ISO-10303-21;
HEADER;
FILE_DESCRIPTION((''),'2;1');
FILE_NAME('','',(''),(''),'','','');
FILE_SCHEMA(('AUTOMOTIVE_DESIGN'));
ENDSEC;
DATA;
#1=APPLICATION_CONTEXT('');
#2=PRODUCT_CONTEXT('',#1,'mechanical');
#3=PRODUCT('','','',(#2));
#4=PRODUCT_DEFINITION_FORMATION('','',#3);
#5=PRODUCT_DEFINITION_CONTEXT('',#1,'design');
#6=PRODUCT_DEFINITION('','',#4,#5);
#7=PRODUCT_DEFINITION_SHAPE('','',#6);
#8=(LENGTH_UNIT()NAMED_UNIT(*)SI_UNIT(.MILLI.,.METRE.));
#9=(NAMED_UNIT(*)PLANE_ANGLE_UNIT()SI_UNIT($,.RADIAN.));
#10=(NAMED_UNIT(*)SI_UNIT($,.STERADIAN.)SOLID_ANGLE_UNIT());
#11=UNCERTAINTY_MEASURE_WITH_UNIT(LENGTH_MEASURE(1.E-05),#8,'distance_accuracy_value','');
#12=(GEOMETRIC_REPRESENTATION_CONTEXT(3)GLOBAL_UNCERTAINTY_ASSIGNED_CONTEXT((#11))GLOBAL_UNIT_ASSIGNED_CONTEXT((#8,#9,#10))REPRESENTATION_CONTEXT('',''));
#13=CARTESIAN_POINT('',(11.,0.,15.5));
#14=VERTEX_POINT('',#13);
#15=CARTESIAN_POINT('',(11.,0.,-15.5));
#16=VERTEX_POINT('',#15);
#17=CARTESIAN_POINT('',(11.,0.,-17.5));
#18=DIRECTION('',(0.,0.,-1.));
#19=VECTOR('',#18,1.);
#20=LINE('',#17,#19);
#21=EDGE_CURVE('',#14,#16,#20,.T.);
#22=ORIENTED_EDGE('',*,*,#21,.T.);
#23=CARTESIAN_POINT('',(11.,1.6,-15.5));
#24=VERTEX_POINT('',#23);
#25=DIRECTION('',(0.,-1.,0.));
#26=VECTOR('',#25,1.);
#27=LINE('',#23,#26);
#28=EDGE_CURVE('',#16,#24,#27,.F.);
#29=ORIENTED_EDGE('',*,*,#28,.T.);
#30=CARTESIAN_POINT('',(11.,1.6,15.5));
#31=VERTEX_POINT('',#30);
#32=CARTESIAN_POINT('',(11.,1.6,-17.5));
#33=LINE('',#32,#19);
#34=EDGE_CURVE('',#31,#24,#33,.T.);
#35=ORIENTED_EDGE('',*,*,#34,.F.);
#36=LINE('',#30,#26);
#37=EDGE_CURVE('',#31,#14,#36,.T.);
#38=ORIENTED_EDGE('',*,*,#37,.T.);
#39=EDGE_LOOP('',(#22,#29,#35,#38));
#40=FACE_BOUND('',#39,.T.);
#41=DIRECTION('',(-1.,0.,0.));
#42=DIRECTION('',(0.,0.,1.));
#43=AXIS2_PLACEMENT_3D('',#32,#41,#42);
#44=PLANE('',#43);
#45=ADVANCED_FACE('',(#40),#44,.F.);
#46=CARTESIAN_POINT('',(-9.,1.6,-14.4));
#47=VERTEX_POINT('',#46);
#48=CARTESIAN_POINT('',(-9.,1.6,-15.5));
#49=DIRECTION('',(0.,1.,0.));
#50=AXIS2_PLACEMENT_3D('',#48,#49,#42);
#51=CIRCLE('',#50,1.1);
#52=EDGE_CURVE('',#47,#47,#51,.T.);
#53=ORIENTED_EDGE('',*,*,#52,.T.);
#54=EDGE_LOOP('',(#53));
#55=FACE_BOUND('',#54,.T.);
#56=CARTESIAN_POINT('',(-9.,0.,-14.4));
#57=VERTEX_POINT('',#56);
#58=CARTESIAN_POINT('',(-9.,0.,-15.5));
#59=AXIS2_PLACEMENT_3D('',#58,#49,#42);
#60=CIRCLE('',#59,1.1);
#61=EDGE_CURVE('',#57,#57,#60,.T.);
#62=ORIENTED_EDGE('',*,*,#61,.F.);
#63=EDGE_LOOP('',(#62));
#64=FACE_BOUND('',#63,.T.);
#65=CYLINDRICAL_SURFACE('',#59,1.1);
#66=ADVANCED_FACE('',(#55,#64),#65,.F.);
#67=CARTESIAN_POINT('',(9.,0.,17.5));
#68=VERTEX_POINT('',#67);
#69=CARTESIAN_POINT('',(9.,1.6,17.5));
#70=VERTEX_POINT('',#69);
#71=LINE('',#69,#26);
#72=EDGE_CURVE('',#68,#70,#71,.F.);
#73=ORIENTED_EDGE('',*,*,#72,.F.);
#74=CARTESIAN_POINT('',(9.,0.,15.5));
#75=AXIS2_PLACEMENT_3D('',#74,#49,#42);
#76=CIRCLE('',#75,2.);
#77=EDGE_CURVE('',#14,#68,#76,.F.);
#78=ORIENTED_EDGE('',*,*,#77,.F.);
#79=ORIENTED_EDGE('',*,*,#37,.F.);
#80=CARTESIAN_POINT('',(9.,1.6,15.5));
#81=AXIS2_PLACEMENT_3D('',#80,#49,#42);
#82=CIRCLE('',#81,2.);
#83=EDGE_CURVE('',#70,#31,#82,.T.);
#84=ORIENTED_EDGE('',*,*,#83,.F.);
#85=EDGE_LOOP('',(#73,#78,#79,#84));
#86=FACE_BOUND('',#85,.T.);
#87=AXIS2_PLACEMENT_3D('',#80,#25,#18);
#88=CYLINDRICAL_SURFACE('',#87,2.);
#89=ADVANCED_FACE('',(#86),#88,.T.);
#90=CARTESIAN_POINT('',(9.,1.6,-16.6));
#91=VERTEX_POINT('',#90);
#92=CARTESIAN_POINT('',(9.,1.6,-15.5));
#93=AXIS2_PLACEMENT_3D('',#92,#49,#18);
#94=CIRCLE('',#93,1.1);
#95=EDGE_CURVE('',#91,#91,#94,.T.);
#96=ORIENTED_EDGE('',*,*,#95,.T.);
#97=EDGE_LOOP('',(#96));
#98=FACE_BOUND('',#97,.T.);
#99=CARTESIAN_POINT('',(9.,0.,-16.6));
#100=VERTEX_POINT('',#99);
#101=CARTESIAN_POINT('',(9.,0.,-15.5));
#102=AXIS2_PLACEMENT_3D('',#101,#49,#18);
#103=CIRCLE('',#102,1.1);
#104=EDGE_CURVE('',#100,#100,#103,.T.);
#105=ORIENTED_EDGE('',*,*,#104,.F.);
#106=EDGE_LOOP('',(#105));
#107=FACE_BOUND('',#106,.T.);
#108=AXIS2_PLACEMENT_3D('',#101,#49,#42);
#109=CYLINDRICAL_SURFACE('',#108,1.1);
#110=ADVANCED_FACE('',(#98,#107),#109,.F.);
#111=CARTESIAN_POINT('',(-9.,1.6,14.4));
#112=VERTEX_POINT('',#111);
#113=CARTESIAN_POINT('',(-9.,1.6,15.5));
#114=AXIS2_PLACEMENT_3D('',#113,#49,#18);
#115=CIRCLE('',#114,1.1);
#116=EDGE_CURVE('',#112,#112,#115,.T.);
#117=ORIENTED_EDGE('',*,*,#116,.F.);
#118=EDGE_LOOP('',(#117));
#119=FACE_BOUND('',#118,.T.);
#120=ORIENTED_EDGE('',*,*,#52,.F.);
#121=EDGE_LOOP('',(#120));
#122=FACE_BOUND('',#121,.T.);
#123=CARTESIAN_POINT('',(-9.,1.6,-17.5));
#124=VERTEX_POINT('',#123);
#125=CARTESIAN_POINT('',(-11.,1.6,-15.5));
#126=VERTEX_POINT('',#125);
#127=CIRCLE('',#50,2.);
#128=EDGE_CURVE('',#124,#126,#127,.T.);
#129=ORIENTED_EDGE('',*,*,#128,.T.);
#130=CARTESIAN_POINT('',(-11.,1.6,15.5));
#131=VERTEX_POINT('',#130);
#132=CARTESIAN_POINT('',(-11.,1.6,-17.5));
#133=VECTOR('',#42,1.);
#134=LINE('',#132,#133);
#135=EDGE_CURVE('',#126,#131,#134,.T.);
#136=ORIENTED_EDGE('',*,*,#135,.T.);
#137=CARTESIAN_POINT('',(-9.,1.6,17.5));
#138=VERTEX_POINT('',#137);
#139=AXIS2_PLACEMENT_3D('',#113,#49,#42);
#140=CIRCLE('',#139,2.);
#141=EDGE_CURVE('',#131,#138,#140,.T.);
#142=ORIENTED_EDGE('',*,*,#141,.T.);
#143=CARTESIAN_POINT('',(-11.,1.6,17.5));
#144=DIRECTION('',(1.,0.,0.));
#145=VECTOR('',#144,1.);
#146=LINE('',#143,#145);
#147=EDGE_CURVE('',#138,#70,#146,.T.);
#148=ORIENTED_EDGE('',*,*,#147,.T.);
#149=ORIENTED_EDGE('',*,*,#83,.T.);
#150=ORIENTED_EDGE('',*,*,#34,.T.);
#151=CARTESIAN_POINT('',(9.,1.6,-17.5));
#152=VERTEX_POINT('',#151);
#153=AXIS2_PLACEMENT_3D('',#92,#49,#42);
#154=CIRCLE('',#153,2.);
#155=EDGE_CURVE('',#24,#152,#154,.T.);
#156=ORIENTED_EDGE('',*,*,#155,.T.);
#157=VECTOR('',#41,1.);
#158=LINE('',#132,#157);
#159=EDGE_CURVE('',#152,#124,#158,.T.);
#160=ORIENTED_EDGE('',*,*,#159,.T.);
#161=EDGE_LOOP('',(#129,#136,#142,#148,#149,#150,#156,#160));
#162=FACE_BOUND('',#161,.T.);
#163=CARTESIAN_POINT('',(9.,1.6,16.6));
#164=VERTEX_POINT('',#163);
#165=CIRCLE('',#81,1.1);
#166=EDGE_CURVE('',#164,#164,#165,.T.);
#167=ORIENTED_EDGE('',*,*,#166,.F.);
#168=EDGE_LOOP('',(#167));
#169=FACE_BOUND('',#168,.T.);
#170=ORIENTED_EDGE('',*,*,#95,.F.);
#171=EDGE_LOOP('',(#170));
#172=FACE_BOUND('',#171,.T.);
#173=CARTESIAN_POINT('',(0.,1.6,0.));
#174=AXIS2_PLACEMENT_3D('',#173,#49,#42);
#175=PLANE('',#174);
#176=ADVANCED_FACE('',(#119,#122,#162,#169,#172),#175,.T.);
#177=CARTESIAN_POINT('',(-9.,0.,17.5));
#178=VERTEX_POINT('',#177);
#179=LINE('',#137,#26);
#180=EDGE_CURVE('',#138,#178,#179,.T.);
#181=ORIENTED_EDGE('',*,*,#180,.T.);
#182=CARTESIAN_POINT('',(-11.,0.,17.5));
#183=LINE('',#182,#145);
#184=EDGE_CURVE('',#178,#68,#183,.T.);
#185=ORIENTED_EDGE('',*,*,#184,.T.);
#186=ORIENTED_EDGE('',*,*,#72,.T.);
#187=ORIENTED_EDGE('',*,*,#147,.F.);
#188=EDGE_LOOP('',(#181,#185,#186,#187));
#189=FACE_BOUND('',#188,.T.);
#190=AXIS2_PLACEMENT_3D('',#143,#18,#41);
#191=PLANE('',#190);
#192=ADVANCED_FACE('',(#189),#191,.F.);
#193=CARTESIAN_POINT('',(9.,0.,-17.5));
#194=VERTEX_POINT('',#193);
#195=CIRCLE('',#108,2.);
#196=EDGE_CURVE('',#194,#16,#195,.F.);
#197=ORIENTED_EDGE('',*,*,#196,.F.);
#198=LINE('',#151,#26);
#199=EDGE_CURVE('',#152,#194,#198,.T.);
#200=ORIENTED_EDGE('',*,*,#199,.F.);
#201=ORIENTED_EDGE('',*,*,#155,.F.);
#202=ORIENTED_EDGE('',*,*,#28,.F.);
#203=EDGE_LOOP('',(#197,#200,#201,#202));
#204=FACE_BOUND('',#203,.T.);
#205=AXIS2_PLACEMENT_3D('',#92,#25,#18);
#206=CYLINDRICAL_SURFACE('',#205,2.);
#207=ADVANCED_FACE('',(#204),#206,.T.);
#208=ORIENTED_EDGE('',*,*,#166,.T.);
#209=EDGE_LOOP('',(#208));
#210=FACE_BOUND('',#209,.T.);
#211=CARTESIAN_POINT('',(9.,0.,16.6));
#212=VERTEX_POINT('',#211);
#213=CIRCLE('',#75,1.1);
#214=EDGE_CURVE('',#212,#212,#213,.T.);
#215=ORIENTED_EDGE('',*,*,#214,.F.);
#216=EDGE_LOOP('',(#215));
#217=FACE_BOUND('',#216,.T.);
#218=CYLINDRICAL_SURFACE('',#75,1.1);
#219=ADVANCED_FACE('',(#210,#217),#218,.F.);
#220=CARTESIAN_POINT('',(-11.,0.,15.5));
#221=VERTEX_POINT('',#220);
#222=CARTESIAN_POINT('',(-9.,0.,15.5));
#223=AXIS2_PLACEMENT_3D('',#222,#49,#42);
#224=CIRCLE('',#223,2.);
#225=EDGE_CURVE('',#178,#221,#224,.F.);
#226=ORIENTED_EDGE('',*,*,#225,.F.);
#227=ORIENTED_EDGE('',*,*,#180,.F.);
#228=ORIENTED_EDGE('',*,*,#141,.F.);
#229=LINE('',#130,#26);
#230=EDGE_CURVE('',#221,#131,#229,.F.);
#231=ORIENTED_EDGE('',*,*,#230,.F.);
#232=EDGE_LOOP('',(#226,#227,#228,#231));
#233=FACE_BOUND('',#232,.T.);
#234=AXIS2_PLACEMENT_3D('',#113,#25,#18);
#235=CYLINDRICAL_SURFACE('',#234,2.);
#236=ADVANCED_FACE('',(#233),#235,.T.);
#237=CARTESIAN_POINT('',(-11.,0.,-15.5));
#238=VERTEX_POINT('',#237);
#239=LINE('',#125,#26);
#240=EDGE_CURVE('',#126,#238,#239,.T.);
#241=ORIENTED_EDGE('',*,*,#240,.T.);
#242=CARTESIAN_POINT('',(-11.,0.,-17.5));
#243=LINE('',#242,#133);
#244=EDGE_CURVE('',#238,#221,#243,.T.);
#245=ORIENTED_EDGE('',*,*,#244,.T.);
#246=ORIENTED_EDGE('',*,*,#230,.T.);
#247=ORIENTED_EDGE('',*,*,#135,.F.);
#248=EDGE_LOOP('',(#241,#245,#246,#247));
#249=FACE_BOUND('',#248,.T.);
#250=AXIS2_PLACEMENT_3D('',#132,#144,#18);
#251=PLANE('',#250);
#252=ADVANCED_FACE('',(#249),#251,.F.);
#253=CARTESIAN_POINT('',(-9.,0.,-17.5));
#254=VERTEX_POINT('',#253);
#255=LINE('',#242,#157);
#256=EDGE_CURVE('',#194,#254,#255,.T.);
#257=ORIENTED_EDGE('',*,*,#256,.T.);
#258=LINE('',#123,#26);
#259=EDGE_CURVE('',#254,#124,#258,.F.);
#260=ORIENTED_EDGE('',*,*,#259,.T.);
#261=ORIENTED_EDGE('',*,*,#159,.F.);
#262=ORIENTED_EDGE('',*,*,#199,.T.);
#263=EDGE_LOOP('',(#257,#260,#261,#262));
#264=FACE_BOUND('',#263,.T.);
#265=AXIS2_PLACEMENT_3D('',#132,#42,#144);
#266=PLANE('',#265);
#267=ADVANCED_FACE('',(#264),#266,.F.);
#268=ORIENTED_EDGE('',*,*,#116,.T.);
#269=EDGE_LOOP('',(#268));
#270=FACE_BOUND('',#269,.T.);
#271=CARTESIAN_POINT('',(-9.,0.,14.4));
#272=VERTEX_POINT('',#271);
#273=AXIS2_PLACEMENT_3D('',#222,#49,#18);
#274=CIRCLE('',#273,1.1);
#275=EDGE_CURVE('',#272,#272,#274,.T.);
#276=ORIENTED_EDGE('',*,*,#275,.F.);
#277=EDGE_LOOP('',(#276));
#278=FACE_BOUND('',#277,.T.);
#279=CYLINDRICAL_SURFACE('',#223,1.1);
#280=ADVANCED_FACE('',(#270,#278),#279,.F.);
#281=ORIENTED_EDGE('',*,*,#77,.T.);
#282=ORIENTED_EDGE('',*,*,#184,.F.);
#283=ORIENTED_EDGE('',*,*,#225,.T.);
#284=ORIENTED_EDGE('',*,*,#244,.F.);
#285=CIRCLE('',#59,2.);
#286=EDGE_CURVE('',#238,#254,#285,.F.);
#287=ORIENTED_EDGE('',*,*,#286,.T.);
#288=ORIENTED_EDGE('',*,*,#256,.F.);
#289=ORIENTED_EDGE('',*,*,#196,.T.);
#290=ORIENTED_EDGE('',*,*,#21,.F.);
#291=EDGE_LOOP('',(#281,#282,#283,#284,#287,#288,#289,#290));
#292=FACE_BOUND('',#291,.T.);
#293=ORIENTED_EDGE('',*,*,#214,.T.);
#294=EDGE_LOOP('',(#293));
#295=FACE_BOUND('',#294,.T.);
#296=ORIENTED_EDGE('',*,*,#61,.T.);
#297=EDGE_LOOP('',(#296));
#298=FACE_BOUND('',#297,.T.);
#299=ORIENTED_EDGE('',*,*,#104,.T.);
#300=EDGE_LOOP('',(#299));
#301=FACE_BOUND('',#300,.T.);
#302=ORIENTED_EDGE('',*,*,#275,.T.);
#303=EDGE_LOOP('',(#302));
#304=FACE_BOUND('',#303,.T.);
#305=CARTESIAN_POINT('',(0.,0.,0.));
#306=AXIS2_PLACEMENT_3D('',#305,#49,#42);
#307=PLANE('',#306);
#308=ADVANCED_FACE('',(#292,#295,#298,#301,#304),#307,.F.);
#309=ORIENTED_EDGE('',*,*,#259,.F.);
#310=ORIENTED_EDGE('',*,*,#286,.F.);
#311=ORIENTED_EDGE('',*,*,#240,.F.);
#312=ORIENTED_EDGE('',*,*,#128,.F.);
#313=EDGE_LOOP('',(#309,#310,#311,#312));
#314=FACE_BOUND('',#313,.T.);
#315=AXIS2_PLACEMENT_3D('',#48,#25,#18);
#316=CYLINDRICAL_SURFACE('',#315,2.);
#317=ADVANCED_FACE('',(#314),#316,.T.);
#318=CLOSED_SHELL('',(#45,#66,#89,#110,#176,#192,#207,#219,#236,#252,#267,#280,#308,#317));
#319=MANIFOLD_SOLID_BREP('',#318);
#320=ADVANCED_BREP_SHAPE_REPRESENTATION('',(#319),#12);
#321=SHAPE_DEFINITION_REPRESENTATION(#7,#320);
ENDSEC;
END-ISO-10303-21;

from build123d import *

# Parameters (mm, degrees)
SKETCH_1_W          = 22
SKETCH_1_H          = 35
EXTRUDE_1_DEPTH     = 1.6
SKETCH_2_R          = 1.1
CUT_EXTRUDE_1_DEPTH = 21.73185954
FILLET_2_R          = 2


with BuildPart() as part:
    # 草图1 → 凸台-拉伸1 (new body)
    with BuildSketch(Plane(origin=(0, 0, 0), x_dir=(1, 0, 0), z_dir=(0, 1, 0))):
        Rectangle(SKETCH_1_W, SKETCH_1_H)
    extrude(amount=EXTRUDE_1_DEPTH)

    # 草图2 → 切除-拉伸1 (cut, through all)
    with BuildSketch(Plane(origin=(0, 1.6, 0), x_dir=(1, 0, 0), z_dir=(0, 1, 0))):
        with Locations(Location((-9, 15.5, 0), (0, 0, 270))):
            Circle(SKETCH_2_R)
        with Locations(Location((9, 15.5, 0), (0, 0, 90))):
            Circle(SKETCH_2_R)
        with Locations(Location((9, -15.5, 0), (0, 0, 270))):
            Circle(SKETCH_2_R)
        with Locations(Location((-9, -15.5, 0), (0, 0, 90))):
            Circle(SKETCH_2_R)
    extrude(amount=-CUT_EXTRUDE_1_DEPTH, mode=Mode.SUBTRACT)

    # 圆角2
    fillet_2_edges = [part.edges().sort_by_distance(p)[0] for p in [
        (11, 0.8, 17.5),
        (-11, 0.8, 17.5),
        (-11, 0.8, -17.5),
        (11, 0.8, -17.5),
    ]]
    fillet(fillet_2_edges, radius=FILLET_2_R)


solid = part.part
